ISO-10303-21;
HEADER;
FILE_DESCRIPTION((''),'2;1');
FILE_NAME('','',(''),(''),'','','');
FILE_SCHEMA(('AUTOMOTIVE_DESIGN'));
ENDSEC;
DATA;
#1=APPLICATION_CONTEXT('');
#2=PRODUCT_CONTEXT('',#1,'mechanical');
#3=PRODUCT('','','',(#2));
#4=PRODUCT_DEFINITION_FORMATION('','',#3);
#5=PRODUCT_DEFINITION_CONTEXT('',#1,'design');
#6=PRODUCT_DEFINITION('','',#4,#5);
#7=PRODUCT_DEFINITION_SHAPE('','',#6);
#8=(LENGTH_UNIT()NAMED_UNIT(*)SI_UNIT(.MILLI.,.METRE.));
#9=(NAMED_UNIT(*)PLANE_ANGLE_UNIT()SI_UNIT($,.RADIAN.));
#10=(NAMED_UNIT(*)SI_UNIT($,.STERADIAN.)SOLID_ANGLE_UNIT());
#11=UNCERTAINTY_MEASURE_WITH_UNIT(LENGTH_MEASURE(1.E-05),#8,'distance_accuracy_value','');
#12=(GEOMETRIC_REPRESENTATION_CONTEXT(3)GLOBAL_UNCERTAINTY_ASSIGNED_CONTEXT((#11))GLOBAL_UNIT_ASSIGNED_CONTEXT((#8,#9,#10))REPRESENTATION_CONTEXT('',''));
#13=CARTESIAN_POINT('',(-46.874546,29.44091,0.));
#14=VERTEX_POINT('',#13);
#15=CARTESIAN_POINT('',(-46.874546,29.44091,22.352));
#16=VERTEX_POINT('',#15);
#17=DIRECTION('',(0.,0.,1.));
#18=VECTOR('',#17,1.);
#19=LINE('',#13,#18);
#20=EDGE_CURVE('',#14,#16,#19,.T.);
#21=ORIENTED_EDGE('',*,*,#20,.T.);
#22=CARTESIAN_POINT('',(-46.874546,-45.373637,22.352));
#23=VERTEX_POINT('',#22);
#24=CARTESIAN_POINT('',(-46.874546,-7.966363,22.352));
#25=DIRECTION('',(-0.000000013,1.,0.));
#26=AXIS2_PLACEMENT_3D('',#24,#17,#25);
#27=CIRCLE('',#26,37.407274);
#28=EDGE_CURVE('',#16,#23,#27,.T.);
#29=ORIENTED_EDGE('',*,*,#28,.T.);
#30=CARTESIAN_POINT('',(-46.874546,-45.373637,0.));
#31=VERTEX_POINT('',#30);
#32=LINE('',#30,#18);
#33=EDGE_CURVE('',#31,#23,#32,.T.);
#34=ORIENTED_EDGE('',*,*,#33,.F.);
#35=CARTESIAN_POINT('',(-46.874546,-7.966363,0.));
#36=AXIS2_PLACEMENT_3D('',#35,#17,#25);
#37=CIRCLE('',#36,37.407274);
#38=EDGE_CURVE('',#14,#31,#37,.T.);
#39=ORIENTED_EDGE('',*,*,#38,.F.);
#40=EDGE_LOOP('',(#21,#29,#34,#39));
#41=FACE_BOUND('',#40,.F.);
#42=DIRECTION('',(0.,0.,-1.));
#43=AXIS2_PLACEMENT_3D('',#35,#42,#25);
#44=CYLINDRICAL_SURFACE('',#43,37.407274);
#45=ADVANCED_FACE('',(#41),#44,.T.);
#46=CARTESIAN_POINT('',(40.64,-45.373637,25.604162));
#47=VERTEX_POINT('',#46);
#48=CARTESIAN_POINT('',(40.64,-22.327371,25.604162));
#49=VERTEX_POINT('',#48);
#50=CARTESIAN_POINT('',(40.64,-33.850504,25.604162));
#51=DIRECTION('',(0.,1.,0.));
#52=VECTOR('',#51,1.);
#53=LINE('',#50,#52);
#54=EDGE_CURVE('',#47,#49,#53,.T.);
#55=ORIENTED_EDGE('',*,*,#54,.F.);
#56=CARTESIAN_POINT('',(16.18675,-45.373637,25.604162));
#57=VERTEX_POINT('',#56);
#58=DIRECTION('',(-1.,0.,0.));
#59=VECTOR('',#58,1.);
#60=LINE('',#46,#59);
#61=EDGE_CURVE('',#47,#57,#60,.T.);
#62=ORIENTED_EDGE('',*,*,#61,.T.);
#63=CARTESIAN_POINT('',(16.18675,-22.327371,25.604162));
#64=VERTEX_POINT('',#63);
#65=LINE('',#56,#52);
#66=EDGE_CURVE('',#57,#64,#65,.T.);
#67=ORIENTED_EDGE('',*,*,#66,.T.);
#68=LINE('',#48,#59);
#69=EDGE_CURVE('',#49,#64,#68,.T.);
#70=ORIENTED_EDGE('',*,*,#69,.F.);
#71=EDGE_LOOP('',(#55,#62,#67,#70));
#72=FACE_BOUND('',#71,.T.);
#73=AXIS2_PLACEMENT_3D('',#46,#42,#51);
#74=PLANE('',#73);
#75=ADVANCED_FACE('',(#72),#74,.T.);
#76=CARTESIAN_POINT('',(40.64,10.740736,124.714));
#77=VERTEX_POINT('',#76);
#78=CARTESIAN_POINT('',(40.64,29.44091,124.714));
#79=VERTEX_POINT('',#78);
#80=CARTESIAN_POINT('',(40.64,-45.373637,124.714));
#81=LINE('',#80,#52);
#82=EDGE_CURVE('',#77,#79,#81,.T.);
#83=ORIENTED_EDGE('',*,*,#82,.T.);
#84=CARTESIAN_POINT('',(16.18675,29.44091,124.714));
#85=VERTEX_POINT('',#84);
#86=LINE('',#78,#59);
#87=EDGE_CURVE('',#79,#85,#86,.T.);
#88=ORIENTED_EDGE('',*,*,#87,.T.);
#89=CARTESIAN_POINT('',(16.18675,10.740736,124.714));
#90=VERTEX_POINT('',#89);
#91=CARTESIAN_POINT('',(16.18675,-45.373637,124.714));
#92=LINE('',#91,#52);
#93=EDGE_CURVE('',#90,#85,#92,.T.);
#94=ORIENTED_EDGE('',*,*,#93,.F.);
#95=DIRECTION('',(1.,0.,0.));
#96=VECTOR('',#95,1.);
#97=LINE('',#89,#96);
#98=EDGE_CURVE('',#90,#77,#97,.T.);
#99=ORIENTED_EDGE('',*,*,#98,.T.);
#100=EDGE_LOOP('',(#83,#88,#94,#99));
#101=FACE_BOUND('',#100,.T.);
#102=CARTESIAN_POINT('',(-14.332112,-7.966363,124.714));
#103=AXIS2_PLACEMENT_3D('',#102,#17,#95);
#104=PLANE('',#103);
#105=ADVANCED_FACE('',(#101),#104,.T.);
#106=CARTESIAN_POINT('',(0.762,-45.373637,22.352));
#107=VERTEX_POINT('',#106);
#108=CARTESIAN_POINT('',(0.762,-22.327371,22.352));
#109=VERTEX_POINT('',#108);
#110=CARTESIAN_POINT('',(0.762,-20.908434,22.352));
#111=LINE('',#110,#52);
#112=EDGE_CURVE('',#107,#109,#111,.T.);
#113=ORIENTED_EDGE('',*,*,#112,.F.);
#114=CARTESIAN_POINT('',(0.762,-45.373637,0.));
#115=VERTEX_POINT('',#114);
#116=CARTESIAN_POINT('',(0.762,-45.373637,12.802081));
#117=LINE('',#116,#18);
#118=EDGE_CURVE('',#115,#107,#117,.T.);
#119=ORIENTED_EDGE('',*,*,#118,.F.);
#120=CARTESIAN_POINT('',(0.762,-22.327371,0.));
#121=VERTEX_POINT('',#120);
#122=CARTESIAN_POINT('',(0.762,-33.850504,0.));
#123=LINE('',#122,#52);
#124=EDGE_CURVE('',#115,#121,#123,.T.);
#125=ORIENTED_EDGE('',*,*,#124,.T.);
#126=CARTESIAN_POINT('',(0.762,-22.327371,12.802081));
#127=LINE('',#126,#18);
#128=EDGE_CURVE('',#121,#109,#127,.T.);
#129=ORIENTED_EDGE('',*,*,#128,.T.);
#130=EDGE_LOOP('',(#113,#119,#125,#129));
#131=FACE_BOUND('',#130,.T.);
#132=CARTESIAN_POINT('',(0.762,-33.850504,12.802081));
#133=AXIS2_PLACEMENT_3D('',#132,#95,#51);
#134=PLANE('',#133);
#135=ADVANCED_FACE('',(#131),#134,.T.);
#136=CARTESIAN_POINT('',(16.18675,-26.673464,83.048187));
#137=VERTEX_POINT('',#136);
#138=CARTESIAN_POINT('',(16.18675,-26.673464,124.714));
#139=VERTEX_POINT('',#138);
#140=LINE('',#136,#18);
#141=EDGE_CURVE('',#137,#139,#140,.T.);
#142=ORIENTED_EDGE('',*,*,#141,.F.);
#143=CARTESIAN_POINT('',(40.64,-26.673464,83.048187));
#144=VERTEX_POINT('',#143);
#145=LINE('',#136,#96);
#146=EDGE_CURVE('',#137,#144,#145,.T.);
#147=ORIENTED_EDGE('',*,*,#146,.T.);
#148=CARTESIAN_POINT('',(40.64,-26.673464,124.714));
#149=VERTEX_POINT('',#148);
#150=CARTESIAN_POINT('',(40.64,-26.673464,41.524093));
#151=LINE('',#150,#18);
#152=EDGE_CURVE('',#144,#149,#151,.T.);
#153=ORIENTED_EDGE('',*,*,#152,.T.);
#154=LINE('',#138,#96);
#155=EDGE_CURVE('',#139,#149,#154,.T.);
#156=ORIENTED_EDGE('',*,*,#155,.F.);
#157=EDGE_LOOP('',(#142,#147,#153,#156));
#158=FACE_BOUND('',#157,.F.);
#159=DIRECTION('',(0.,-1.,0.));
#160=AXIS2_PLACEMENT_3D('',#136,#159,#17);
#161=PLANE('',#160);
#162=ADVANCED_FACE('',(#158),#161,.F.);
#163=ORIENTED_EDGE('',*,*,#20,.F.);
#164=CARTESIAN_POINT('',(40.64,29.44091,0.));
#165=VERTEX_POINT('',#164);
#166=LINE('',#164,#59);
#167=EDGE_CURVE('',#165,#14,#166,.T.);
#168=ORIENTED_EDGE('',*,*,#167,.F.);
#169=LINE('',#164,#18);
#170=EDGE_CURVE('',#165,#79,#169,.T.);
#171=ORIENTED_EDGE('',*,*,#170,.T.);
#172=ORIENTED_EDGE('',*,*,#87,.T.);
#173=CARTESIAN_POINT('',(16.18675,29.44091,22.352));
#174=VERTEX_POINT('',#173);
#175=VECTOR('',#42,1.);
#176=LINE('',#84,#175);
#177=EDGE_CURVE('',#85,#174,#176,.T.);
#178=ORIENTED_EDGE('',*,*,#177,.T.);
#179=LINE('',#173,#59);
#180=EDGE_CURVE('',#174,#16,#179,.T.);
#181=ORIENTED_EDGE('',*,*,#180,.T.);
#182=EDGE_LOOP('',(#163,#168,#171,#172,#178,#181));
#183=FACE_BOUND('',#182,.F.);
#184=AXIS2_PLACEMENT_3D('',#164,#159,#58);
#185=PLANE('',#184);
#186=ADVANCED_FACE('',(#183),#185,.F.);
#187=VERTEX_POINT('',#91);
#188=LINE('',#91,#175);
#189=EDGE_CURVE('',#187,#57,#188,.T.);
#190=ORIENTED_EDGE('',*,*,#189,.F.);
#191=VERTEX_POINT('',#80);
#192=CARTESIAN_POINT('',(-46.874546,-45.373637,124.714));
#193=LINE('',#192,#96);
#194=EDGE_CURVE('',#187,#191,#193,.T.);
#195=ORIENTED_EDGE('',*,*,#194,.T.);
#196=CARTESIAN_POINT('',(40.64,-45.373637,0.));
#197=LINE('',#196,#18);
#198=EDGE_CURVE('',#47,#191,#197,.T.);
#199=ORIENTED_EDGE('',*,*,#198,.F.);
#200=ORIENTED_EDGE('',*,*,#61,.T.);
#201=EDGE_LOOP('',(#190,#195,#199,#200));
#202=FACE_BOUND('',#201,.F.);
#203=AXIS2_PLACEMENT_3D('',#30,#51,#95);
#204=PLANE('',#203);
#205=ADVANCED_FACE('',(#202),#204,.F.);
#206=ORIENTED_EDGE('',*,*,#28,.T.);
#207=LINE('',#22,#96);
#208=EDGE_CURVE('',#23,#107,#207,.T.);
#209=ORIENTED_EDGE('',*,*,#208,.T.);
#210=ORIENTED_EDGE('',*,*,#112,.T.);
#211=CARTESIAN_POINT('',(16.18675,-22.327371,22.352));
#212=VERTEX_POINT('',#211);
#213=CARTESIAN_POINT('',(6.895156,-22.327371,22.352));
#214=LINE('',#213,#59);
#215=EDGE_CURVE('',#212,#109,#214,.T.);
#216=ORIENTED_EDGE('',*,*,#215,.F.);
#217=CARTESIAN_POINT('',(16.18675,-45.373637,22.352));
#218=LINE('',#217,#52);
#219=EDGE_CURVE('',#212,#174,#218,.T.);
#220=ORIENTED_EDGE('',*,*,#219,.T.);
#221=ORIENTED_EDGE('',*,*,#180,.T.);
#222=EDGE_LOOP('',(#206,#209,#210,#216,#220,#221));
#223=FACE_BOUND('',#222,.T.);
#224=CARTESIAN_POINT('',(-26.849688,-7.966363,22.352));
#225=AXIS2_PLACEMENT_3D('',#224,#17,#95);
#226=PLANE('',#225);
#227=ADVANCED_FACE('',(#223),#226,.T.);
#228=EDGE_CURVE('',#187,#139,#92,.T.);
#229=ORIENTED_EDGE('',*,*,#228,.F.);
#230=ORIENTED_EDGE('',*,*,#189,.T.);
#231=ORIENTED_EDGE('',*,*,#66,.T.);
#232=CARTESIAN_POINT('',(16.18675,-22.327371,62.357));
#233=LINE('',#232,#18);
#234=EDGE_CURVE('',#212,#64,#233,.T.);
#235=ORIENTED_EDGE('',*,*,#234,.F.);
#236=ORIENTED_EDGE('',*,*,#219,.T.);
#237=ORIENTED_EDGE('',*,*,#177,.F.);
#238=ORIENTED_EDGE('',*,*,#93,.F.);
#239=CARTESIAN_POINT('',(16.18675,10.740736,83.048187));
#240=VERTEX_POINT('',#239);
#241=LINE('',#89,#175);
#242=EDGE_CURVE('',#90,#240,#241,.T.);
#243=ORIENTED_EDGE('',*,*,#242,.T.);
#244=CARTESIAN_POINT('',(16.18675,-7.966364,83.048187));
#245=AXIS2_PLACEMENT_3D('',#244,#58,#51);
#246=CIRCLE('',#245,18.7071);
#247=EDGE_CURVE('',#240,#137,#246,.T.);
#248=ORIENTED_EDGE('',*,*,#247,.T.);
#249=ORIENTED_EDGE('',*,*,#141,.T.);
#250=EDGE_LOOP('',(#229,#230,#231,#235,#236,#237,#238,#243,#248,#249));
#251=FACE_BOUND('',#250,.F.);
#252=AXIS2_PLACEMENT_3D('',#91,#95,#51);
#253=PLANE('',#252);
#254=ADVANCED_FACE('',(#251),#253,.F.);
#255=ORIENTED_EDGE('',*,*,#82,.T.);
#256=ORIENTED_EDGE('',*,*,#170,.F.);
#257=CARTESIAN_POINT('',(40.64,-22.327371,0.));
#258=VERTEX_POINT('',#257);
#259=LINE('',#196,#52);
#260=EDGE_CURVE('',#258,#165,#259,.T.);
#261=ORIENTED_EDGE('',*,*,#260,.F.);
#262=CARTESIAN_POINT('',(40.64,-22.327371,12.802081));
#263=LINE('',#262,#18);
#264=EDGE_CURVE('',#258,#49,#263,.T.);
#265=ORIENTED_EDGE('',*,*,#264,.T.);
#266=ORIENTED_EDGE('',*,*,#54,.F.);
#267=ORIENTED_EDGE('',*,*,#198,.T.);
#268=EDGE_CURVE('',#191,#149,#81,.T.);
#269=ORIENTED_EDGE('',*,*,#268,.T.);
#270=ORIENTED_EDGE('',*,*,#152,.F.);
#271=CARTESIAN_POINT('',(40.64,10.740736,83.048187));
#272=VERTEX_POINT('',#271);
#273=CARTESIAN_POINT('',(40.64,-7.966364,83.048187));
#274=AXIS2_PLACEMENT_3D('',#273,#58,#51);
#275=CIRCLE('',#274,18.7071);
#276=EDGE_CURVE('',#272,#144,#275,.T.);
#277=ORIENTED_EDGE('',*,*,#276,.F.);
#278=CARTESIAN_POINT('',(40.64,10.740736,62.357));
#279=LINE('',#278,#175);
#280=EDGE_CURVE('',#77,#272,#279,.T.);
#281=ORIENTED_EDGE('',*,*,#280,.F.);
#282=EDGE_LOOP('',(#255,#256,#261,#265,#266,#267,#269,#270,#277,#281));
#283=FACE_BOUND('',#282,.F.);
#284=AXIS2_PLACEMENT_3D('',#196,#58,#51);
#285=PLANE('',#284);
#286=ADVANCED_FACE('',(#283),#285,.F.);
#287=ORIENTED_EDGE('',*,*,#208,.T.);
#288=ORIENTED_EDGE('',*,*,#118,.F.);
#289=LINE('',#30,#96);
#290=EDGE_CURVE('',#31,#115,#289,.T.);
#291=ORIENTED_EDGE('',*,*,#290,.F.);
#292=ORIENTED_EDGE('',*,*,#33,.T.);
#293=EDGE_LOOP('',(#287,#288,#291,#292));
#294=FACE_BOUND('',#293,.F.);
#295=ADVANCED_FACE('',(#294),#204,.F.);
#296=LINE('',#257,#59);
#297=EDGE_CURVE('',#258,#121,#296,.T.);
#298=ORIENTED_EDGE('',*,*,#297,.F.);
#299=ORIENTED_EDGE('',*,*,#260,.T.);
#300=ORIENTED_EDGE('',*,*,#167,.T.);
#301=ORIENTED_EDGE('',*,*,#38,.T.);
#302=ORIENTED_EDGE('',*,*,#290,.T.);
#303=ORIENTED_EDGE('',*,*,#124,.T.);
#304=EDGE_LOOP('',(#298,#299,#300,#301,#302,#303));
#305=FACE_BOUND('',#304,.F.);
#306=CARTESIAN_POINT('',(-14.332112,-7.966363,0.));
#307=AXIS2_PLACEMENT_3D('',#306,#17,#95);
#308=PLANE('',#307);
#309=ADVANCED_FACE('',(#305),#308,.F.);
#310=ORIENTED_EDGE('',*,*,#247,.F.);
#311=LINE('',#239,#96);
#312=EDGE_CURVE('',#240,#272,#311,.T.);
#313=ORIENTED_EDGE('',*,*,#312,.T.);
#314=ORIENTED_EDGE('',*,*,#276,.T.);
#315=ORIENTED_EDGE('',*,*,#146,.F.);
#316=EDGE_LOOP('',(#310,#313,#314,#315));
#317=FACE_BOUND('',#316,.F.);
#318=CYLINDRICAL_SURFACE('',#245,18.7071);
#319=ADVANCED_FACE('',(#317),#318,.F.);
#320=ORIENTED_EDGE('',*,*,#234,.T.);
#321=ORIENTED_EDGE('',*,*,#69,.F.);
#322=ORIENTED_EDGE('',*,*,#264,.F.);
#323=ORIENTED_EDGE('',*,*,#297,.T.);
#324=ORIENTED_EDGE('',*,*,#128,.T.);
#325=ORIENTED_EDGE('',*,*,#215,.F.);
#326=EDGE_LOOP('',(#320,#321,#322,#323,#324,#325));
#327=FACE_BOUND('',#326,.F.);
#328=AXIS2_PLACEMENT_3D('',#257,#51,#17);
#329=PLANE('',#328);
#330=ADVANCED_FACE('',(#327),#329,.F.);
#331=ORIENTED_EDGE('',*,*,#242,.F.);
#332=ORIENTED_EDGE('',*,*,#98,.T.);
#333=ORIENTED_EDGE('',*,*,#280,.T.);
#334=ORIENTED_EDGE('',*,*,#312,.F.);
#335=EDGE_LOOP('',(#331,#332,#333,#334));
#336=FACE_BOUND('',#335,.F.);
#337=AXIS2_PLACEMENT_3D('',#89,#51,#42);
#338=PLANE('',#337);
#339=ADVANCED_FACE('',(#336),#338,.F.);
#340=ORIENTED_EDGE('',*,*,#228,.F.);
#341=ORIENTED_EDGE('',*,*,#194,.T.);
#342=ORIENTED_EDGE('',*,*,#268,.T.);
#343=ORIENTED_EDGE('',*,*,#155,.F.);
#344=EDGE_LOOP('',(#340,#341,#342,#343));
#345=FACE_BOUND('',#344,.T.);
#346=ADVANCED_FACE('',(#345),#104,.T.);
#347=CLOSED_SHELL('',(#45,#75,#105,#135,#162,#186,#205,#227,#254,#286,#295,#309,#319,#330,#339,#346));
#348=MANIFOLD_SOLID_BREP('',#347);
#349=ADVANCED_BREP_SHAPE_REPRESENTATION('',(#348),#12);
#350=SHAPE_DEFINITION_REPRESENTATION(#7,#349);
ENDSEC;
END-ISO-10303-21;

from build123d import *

# Parameters (mm, degrees)
F1_DEPTH = 124.714
F3_DEPTH = 102.362
F5_DEPTH = 25.4
F6_W     = 23.046266
F6_H     = 25.604162
F7_DEPTH = 39.878


with BuildPart() as f1:
    # F0 (on Top) → F1 (new body)
    with BuildSketch(Plane.XY):
        with BuildLine():
            Line((40.64, 29.44091), (-46.874546, 29.44091))
            ThreePointArc((-46.874546, 29.44091), (-84.281819, -7.966364), (-46.874546, -45.373637))
            Line((-46.874546, -45.373637), (40.64, -45.373637))
            Line((40.64, -45.373637), (40.64, 29.44091))
        make_face()
    extrude(amount=F1_DEPTH)

    # F2 (on face) → F3 (cut)
    with BuildSketch(Plane.XY.offset(124.714)):
        with BuildLine():
            Line((16.18675, -45.373637), (16.18675, 29.44091))
            Line((16.18675, 29.44091), (-46.874546, 29.44091))
            ThreePointArc((-46.874546, 29.44091), (-84.281819, -7.966364), (-46.874546, -45.373637))
            Line((-46.874546, -45.373637), (16.18675, -45.373637))
        make_face()
    extrude(amount=-F3_DEPTH, mode=Mode.SUBTRACT)

    # F4 (on face) → F5 (cut)
    with BuildSketch(Plane(origin=(16.18675, 0, 0), x_dir=(0, -1, 0), z_dir=(-1, 0, 0))):
        with BuildLine():
            Line((26.673464, 124.714), (-10.740736, 124.714))
            Line((-10.740736, 124.714), (-10.740736, 83.048187))
            ThreePointArc((-10.740736, 83.048187), (7.966364, 64.341087), (26.673464, 83.048187))
            Line((26.673464, 83.048187), (26.673464, 124.714))
        make_face()
    extrude(amount=-F5_DEPTH, mode=Mode.SUBTRACT)

    # F6 (on face) → F7 (cut)
    with BuildSketch(Plane.YZ.offset(40.64)):
        with Locations((-33.850504, 12.802081)):
            Rectangle(F6_W, F6_H)
    extrude(amount=-F7_DEPTH, mode=Mode.SUBTRACT)


solid = f1.part
